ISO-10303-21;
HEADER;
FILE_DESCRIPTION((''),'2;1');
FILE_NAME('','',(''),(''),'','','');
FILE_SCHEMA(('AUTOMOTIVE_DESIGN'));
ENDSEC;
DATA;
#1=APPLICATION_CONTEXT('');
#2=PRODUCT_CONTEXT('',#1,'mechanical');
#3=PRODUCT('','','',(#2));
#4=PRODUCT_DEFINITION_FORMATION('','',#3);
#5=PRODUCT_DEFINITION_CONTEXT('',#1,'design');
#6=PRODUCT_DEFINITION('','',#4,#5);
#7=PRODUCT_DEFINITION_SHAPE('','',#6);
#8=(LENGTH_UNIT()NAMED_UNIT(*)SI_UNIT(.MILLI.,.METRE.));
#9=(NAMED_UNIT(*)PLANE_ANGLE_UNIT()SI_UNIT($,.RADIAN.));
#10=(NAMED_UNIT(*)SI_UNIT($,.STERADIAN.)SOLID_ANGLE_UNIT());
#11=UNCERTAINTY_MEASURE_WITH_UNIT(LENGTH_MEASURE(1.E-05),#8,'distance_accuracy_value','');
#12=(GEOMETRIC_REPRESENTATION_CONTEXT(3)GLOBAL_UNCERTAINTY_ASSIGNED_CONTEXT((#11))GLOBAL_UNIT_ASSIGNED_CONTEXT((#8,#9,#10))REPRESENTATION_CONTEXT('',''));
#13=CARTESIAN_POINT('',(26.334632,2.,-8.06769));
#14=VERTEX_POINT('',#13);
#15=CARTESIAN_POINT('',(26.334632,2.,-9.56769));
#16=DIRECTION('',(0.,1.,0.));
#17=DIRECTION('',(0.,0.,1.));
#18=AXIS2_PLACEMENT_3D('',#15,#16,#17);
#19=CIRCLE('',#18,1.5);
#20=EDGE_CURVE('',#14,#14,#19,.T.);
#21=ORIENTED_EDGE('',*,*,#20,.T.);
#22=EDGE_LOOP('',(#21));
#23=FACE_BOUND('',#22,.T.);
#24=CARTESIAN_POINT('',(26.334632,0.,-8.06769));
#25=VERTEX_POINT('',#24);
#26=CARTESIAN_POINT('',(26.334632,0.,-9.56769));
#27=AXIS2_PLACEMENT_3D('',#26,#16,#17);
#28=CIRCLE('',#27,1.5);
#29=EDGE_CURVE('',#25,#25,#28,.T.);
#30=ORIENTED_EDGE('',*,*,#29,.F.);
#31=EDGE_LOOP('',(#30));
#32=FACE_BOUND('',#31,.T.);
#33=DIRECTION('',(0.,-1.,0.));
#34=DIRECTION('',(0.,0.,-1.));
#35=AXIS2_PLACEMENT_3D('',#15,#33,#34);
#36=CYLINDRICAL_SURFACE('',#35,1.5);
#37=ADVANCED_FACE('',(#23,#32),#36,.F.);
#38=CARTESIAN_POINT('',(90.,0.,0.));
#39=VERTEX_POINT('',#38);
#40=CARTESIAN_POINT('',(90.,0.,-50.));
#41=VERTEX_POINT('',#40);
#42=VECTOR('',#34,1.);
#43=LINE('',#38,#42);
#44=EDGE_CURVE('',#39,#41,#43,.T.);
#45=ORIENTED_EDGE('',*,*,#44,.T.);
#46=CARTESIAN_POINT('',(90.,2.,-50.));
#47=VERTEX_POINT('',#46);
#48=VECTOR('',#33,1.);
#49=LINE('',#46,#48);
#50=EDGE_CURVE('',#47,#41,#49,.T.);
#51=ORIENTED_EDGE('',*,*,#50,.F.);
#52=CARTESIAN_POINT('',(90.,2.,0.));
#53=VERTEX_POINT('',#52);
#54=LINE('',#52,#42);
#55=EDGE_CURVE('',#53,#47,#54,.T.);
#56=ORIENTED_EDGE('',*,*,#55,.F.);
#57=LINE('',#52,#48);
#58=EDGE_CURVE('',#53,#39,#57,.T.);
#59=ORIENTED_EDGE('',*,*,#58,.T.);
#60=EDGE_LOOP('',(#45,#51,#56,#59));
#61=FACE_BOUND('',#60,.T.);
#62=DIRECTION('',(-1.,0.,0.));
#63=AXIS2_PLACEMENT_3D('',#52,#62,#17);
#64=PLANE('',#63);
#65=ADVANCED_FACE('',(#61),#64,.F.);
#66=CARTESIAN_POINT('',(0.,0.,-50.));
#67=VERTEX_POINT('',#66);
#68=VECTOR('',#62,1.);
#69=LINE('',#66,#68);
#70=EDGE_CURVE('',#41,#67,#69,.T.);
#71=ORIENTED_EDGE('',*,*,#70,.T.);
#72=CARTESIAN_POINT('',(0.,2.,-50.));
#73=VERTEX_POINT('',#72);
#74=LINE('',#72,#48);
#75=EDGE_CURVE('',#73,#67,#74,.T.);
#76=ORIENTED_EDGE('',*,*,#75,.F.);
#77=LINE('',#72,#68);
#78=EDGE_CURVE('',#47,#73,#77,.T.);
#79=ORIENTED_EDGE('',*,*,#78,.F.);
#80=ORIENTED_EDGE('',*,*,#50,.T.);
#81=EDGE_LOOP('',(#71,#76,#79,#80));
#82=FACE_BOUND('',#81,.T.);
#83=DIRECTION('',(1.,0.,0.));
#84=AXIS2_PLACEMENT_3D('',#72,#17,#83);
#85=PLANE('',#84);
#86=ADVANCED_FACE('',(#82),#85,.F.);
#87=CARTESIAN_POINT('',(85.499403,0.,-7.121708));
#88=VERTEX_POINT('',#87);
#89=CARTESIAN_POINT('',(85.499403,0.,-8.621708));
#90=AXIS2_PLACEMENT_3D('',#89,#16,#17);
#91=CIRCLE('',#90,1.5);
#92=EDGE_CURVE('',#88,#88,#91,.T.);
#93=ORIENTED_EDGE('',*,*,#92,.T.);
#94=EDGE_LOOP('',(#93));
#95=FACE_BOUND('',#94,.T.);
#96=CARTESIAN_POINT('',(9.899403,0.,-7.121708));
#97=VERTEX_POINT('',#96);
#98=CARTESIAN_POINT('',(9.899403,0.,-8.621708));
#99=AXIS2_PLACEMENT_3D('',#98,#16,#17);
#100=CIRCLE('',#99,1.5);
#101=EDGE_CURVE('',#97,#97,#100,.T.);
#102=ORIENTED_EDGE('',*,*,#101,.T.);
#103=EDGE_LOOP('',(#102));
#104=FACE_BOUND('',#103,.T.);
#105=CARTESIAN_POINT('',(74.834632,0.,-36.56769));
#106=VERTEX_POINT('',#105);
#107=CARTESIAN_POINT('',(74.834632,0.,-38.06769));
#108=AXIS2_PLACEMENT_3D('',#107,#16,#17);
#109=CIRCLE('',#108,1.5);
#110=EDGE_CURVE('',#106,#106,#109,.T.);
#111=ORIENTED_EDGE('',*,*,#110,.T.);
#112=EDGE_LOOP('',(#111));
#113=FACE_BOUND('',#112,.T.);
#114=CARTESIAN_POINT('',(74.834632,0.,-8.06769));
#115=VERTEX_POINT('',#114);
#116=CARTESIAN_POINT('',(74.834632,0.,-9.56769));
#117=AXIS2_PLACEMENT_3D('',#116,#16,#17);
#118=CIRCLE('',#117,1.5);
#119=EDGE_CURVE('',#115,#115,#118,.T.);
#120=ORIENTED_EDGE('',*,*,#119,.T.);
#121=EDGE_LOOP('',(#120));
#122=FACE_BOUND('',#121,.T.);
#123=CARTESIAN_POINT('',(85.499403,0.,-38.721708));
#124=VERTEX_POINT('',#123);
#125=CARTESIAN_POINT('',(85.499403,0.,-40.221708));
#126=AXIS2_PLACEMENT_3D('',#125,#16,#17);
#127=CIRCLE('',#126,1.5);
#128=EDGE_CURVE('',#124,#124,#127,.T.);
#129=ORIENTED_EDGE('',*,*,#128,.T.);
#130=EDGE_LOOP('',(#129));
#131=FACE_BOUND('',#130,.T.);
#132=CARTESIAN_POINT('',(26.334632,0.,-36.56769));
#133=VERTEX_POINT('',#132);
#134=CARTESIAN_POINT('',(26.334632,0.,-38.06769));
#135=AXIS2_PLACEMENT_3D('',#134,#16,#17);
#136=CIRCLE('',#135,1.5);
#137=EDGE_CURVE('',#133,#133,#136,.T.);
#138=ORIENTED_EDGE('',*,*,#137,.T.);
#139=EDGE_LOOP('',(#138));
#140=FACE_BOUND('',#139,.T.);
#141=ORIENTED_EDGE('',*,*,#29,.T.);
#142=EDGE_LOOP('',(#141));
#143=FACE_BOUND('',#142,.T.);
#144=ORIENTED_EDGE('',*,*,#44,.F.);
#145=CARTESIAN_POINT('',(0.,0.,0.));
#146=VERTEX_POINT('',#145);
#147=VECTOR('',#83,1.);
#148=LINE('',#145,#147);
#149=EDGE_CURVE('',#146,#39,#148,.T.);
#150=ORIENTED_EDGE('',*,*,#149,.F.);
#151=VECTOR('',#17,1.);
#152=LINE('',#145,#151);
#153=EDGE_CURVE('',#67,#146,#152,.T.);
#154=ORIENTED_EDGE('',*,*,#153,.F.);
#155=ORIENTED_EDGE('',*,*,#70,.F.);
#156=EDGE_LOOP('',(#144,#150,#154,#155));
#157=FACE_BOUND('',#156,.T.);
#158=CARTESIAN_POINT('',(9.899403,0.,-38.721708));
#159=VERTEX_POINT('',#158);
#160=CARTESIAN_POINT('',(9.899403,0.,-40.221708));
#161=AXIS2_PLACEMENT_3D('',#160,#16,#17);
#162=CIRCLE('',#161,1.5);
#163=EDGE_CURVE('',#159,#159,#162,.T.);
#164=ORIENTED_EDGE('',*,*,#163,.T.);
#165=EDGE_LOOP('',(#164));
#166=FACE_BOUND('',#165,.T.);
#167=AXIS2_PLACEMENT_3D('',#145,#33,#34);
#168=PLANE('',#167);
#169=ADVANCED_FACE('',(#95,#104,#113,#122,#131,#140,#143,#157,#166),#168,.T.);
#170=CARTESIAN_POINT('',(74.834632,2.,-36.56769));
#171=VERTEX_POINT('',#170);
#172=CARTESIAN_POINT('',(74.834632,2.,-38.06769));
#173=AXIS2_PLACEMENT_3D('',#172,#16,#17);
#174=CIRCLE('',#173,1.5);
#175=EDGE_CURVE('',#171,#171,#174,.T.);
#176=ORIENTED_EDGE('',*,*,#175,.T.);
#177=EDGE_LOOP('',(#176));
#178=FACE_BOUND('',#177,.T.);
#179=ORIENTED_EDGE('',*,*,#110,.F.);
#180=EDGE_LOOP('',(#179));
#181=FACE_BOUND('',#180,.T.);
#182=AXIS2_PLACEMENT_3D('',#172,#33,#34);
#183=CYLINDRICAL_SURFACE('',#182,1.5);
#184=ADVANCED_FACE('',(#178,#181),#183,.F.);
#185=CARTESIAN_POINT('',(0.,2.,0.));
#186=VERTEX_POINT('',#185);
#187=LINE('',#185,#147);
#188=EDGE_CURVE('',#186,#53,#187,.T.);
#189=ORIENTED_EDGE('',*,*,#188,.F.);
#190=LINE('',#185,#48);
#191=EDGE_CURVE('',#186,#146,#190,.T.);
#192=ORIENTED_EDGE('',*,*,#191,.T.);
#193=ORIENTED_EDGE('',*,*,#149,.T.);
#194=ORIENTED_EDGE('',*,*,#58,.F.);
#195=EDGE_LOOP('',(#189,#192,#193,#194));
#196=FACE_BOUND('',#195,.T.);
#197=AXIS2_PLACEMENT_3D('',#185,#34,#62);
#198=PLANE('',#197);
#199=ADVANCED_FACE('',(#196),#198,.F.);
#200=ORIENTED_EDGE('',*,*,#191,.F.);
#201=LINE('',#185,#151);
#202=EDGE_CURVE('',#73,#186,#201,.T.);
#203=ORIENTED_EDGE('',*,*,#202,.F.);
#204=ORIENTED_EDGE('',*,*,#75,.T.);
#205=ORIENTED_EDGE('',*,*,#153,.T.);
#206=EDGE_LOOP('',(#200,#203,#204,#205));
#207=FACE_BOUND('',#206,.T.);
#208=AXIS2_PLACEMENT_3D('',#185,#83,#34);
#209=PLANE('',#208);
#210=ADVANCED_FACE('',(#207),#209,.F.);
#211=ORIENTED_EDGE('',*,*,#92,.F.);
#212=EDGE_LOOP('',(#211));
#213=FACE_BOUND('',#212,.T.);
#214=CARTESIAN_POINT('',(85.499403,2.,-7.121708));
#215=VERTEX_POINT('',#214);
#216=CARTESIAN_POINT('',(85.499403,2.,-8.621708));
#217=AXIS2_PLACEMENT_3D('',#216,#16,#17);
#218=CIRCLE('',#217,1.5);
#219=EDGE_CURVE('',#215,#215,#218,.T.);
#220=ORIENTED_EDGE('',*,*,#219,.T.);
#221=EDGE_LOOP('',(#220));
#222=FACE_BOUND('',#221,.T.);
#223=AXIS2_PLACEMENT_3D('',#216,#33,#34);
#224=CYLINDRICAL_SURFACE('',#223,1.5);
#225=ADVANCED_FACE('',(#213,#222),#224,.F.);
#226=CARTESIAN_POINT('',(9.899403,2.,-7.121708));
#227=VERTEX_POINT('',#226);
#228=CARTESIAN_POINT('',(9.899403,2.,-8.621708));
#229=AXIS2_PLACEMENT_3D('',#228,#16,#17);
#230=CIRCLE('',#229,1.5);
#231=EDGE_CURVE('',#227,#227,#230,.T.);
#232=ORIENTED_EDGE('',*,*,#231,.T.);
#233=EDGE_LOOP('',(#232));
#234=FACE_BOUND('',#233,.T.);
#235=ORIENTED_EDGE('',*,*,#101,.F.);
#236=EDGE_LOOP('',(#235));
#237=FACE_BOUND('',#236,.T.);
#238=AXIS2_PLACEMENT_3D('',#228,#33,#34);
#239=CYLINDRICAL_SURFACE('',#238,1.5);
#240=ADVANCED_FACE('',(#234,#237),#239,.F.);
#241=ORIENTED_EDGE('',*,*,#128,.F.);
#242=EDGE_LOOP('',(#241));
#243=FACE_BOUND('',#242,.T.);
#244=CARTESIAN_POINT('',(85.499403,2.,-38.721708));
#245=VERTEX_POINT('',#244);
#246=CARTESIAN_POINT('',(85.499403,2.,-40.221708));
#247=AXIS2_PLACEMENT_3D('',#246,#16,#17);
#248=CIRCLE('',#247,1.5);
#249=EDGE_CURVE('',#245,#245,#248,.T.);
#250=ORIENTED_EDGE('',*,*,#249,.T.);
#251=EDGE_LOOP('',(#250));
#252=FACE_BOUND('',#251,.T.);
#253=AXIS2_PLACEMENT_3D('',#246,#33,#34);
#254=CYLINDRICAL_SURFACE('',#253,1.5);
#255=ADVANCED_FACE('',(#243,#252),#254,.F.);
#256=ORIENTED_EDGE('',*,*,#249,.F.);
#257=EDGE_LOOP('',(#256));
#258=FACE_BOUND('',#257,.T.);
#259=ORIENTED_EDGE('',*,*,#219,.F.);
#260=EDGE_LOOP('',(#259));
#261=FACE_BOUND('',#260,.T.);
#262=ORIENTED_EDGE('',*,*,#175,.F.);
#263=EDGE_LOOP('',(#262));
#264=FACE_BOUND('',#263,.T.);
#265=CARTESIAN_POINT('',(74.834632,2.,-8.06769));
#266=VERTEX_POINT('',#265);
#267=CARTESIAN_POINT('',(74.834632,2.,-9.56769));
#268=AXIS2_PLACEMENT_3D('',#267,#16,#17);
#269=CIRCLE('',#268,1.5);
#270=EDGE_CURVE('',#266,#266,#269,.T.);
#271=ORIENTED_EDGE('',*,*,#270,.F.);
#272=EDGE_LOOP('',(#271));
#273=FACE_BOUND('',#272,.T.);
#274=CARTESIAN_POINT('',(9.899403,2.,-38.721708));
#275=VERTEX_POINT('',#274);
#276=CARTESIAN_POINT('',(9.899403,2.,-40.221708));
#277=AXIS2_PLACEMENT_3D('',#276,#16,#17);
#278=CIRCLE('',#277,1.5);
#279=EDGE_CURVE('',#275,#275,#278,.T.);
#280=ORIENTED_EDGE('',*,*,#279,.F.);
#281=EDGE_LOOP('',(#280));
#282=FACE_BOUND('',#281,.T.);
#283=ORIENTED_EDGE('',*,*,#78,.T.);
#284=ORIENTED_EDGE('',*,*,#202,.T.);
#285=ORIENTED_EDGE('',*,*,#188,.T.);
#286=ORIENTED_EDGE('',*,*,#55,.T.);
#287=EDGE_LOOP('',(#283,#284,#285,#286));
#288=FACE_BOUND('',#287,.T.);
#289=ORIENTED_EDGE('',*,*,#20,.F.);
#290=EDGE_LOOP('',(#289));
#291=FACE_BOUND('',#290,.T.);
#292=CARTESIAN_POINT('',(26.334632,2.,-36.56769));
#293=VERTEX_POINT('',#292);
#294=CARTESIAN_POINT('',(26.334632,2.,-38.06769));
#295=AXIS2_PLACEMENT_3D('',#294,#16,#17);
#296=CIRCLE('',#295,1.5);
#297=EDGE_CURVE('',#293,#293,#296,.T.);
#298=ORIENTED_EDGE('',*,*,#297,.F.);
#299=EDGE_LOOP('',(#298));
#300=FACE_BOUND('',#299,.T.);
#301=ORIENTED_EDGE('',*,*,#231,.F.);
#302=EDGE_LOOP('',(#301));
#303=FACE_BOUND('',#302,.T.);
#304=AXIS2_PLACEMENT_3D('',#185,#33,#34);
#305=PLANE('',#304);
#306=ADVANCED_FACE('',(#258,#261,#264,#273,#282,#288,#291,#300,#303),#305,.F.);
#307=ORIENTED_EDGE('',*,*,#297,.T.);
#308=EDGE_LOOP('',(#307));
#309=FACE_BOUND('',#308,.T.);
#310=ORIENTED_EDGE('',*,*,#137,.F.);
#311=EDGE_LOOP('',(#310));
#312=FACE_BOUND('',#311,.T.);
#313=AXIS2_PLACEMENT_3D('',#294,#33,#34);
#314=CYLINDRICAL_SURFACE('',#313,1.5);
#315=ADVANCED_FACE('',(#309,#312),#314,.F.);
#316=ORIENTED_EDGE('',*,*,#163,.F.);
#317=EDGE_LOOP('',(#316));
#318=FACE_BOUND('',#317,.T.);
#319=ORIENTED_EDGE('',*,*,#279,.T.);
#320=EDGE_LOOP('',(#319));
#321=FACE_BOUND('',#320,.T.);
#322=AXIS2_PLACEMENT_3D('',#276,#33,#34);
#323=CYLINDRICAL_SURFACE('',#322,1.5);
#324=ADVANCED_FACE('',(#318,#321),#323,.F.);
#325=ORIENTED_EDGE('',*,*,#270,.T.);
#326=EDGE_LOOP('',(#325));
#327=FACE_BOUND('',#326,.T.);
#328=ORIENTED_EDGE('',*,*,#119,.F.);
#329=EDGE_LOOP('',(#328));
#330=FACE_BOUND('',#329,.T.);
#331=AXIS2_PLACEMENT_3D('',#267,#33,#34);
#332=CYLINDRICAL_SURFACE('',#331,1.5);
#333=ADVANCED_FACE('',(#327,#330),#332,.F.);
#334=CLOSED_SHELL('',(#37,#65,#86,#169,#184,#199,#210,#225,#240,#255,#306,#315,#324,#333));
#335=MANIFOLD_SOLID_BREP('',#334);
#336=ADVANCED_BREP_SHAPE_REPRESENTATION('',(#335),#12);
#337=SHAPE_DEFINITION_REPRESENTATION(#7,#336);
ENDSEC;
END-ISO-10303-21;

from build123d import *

# Parameters (mm, degrees)
SKETCH_1_W      = 90
SKETCH_1_H      = 50
SKETCH_1_R      = 1.5
EXTRUDE_1_DEPTH = 2


with BuildPart() as part:
    # 草图1 → 凸台-拉伸1 (new body)
    with BuildSketch(Plane(origin=(0, 0, 0), x_dir=(1, 0, 0), z_dir=(0, 1, 0))):
        with Locations((45, 25)):
            Rectangle(SKETCH_1_W, SKETCH_1_H)
        with Locations(Location((26.334632344, 38.067690399, 0), (0, 0, 270))):
            Circle(SKETCH_1_R, mode=Mode.SUBTRACT)
        with Locations(Location((74.834632344, 38.067690399, 0), (0, 0, 270))):
            Circle(SKETCH_1_R, mode=Mode.SUBTRACT)
        with Locations(Location((74.834632344, 9.567690399, 0), (0, 0, 270))):
            Circle(SKETCH_1_R, mode=Mode.SUBTRACT)
        with Locations(Location((26.334632344, 9.567690399, 0), (0, 0, 270))):
            Circle(SKETCH_1_R, mode=Mode.SUBTRACT)
        with Locations(Location((9.899403272, 40.22170825, 0), (0, 0, 270))):
            Circle(SKETCH_1_R, mode=Mode.SUBTRACT)
        with Locations(Location((85.499403272, 40.22170825, 0), (0, 0, 270))):
            Circle(SKETCH_1_R, mode=Mode.SUBTRACT)
        with Locations(Location((85.499403272, 8.62170825, 0), (0, 0, 270))):
            Circle(SKETCH_1_R, mode=Mode.SUBTRACT)
        with Locations(Location((9.899403272, 8.62170825, 0), (0, 0, 270))):
            Circle(SKETCH_1_R, mode=Mode.SUBTRACT)
    extrude(amount=EXTRUDE_1_DEPTH)


solid = part.part
